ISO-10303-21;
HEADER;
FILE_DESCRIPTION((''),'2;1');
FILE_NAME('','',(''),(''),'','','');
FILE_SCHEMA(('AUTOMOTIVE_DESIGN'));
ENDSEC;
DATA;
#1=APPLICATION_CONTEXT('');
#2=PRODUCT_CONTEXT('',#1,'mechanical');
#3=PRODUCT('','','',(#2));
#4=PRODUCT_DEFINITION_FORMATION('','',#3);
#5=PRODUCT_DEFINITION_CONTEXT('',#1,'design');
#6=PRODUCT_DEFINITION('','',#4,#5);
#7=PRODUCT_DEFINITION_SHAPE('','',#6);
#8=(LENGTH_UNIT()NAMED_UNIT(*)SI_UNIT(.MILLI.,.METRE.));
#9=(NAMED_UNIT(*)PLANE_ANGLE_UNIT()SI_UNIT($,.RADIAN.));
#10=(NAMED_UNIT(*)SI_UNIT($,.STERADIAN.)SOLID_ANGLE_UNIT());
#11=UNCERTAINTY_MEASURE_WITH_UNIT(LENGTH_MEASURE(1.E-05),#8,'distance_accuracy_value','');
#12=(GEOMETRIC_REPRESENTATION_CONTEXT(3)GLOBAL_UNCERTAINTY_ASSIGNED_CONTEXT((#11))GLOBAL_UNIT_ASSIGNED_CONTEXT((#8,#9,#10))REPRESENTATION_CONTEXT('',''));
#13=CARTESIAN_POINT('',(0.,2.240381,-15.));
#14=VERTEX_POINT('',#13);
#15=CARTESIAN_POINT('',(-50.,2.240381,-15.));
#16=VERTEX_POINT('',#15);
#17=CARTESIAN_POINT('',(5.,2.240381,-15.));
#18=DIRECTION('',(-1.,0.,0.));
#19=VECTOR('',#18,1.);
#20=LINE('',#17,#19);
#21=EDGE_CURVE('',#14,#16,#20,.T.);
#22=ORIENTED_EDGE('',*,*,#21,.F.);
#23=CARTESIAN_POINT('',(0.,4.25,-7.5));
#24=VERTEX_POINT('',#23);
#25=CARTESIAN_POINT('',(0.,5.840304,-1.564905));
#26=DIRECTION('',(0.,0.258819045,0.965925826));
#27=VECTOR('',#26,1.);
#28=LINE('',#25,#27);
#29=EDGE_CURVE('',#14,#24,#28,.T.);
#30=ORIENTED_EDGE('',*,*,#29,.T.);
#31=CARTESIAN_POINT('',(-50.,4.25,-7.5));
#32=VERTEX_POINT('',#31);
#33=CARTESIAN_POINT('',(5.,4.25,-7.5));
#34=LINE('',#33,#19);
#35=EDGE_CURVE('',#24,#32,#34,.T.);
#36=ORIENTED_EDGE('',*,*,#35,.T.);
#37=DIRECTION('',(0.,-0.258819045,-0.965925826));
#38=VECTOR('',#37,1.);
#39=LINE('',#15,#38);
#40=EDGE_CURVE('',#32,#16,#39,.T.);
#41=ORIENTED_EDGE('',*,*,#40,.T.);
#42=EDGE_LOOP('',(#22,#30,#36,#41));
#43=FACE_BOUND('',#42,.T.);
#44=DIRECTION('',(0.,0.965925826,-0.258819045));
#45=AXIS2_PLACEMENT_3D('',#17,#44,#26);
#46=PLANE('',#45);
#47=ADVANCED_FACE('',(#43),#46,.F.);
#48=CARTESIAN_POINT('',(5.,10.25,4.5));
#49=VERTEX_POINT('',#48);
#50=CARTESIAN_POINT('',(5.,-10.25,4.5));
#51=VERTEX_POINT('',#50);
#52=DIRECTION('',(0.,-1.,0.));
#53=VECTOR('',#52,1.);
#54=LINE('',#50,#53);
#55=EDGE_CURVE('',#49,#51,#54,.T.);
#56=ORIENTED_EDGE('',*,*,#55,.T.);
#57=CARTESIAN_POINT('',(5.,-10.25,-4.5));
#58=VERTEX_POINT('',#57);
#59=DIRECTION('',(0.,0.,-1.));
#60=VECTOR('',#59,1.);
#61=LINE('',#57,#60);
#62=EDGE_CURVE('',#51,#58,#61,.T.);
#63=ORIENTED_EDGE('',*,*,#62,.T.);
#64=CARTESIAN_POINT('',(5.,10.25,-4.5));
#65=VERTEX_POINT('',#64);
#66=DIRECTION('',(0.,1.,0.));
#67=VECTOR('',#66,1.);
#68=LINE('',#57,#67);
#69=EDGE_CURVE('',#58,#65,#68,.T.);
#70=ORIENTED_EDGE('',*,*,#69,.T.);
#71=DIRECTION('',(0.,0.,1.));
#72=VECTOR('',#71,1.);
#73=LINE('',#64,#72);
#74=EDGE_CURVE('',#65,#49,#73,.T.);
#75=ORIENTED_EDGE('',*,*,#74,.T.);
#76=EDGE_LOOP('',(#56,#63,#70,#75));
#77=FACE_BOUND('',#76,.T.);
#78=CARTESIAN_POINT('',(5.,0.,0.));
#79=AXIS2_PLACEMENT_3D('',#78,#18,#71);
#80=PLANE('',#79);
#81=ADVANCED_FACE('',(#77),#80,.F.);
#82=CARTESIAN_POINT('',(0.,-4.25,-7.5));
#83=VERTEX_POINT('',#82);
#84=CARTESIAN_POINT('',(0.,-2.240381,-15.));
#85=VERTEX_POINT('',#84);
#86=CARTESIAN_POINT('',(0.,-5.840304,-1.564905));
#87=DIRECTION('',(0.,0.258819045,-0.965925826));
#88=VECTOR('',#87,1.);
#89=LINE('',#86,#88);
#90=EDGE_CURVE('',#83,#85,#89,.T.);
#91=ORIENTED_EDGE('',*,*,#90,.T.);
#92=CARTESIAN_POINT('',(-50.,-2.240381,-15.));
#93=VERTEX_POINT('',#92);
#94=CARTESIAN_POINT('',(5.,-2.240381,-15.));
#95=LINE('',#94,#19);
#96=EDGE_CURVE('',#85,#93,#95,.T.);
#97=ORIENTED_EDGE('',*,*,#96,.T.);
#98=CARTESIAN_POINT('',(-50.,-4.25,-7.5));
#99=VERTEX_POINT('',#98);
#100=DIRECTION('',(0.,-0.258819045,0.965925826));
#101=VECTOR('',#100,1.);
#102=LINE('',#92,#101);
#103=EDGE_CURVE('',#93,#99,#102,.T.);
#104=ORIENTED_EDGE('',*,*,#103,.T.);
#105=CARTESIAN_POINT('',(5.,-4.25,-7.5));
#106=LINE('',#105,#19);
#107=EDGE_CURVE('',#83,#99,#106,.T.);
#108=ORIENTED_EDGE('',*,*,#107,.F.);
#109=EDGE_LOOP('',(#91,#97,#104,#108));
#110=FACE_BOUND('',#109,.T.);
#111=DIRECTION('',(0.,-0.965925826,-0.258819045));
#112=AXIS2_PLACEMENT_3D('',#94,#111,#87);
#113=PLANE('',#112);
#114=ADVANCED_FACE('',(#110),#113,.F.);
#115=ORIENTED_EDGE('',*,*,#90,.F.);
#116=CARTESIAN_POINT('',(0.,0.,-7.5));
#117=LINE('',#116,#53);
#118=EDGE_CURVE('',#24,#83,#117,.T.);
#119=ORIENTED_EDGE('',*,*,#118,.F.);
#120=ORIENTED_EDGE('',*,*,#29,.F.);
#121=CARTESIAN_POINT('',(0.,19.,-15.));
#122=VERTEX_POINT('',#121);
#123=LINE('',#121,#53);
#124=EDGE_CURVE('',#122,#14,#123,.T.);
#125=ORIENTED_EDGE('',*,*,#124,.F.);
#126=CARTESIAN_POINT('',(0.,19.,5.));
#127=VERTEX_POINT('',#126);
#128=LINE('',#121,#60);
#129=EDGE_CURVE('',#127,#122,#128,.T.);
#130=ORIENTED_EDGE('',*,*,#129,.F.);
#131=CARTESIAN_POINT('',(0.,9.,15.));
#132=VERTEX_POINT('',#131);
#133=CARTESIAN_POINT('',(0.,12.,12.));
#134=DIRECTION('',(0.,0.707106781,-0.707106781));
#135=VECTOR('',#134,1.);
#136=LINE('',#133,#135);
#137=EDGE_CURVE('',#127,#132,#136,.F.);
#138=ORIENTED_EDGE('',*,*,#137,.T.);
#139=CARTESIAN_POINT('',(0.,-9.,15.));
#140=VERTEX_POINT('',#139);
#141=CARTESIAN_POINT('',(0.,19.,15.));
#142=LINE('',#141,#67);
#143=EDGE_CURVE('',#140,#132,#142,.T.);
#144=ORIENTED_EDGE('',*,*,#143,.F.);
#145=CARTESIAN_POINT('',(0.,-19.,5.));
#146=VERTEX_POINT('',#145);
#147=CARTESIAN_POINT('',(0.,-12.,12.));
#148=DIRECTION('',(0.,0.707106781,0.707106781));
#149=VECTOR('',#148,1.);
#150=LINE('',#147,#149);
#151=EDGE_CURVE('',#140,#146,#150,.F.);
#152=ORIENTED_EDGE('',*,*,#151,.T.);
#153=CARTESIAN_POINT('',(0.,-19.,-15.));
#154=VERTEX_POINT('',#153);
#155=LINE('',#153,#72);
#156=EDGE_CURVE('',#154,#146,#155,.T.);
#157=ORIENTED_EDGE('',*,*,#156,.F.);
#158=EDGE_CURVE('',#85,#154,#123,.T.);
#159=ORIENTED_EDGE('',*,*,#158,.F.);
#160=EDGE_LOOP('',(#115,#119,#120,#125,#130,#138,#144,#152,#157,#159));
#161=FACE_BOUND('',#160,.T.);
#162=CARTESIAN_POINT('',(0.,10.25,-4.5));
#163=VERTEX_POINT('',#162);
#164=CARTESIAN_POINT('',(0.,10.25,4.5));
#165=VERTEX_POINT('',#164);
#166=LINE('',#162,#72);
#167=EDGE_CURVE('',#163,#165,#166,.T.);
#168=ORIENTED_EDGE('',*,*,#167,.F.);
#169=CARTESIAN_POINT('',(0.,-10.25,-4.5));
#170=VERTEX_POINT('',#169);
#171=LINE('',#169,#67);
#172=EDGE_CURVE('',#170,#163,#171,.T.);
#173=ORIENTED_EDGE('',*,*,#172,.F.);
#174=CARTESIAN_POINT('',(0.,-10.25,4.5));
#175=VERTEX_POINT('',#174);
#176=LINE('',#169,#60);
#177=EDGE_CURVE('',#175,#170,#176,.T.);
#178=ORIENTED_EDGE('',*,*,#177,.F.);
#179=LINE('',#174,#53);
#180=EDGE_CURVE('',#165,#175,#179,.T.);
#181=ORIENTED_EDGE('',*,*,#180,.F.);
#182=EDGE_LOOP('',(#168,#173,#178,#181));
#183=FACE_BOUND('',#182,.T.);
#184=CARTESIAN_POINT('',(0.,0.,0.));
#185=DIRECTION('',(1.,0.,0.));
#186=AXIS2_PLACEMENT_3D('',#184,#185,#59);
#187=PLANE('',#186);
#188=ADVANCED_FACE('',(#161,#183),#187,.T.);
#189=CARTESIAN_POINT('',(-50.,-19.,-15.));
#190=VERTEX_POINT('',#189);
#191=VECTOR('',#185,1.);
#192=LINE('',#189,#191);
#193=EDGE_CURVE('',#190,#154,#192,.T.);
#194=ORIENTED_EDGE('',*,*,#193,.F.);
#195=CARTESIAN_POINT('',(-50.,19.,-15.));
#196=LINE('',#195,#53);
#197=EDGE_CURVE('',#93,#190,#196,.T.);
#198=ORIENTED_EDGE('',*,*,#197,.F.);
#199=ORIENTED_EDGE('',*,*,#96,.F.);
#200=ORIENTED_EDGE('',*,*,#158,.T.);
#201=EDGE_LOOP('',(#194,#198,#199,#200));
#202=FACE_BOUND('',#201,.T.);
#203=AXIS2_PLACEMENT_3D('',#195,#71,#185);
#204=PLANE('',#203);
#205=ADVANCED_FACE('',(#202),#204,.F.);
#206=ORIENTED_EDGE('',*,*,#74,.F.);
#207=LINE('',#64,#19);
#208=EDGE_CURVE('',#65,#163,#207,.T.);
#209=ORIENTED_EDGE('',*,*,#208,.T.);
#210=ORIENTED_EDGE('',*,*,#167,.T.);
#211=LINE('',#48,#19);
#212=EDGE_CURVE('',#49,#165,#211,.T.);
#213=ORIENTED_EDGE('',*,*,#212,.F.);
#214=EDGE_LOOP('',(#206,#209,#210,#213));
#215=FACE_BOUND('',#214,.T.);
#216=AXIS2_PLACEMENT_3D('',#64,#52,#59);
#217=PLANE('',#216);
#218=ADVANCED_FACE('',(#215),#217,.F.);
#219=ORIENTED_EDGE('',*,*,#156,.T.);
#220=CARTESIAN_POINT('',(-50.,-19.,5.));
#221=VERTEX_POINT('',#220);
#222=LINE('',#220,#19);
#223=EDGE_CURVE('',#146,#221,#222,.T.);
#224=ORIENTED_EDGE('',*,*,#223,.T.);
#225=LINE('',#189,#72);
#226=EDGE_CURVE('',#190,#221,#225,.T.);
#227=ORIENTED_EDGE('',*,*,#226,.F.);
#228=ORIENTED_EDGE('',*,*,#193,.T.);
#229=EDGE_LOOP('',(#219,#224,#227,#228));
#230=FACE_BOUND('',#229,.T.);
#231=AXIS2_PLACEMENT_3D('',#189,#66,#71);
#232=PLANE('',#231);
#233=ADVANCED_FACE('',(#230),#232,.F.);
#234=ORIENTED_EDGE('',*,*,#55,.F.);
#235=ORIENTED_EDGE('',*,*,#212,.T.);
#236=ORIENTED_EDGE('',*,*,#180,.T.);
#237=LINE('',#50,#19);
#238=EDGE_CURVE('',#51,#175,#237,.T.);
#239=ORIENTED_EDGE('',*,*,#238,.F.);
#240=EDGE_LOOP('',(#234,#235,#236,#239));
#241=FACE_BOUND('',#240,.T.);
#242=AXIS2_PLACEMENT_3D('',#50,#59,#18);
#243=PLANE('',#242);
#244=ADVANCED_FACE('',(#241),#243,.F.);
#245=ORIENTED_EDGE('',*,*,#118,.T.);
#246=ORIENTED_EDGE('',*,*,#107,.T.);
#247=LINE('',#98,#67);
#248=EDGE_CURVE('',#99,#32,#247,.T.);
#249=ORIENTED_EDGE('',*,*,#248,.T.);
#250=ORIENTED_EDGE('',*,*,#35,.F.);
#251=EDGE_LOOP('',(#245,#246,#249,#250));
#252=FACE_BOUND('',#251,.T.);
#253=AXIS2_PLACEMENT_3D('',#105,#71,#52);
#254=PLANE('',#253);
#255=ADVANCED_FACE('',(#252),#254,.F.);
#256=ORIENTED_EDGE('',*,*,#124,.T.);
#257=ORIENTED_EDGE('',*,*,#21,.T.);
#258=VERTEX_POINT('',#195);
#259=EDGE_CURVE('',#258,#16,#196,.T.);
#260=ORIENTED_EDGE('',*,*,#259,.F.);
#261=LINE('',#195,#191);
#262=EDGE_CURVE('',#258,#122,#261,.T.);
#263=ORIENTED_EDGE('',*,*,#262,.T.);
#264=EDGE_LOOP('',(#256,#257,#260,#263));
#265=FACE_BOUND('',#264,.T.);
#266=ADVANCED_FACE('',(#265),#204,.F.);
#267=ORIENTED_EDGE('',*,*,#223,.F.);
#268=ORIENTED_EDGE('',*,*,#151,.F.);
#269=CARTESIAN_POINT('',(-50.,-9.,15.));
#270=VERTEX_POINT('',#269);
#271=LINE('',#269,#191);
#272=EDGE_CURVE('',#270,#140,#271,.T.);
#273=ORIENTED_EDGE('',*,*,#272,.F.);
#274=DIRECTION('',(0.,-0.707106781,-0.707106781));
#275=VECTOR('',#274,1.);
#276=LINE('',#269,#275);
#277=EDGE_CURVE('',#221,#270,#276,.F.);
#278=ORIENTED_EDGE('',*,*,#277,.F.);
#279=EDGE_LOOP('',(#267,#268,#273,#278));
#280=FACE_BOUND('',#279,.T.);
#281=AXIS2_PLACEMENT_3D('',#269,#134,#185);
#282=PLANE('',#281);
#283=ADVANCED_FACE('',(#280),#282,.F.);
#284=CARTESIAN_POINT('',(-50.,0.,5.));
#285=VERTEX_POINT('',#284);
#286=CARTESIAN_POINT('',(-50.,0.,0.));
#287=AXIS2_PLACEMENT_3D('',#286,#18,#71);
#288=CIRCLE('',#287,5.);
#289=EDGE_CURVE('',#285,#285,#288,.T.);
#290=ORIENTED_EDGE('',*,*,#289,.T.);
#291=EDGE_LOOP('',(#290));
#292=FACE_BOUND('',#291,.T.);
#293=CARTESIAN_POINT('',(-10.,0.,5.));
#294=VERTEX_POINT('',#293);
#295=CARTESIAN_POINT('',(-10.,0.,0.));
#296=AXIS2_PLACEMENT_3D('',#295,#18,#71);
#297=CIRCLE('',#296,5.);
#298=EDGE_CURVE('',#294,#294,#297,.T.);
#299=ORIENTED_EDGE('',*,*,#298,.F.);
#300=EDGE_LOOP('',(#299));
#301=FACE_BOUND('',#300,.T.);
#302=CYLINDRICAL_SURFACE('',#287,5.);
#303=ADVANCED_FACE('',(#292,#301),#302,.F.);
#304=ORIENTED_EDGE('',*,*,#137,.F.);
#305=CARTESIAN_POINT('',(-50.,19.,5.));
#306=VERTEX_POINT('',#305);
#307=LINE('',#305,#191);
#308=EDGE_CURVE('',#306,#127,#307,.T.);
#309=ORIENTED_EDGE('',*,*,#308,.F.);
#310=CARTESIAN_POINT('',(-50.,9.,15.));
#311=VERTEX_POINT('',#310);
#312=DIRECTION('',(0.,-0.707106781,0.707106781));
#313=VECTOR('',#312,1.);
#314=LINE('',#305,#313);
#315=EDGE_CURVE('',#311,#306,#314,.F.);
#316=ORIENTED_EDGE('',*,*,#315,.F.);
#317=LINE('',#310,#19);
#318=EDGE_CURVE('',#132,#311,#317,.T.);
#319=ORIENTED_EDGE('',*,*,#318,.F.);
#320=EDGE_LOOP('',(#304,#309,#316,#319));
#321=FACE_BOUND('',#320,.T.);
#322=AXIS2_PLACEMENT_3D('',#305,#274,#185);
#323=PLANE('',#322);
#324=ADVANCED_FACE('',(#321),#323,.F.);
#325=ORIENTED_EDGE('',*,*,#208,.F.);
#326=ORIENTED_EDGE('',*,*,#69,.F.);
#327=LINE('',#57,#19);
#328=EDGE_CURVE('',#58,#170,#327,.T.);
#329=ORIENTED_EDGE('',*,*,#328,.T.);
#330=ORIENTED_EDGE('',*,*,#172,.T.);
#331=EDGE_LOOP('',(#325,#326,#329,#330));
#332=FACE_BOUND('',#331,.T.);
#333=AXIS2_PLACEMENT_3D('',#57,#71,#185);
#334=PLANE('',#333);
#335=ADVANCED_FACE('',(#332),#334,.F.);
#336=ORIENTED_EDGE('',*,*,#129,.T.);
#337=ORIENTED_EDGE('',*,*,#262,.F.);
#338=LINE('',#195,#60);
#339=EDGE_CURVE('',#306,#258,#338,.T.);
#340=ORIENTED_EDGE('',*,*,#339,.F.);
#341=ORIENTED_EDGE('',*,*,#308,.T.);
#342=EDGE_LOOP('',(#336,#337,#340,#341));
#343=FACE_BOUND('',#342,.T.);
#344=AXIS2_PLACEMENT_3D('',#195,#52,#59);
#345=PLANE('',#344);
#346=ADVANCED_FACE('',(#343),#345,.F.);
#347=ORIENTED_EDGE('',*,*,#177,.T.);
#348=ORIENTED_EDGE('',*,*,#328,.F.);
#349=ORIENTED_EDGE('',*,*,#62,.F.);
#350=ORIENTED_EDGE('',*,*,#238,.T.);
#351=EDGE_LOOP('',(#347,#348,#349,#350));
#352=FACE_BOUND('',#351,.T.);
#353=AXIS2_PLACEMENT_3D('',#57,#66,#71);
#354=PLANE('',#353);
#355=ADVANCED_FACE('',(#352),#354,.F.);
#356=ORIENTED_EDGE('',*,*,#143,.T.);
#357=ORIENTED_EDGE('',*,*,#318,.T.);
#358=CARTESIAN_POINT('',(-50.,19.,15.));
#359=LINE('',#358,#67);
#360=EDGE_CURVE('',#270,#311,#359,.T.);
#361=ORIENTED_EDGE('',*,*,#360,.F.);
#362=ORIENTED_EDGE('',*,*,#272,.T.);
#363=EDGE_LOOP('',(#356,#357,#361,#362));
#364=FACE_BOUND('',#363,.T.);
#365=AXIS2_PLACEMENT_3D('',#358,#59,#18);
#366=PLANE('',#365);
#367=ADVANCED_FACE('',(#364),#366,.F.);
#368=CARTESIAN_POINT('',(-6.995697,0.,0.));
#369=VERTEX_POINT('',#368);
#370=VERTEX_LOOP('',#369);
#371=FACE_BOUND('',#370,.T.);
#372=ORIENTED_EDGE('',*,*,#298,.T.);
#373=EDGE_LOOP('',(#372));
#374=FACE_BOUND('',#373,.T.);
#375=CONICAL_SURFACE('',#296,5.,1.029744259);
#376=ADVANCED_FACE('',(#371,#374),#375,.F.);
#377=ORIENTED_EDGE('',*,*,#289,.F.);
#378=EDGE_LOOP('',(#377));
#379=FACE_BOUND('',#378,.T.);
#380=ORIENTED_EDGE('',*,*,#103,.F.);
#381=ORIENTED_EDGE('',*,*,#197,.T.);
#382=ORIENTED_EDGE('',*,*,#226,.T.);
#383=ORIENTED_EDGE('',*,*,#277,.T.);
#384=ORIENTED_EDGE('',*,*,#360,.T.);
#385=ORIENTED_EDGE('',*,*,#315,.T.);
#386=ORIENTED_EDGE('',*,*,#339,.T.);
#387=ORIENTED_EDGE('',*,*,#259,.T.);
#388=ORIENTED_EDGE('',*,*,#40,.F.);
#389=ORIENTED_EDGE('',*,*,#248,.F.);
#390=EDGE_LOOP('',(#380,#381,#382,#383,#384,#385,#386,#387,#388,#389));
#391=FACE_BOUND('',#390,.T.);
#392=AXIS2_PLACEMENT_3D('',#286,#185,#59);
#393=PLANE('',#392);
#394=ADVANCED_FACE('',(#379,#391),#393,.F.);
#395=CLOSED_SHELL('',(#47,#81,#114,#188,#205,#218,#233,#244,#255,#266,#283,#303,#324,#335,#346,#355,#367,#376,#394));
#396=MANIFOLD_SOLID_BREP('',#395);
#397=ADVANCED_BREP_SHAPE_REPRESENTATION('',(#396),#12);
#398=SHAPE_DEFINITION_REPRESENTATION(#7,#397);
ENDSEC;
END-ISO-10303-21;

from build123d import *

# Parameters (mm, degrees)
SCHIZZO1_W                   = 20.5
SCHIZZO1_H                   = 9
ESTRUSIONE_ESTRUSIONE1_DEPTH = 5
SCHIZZO2_W                   = 38
SCHIZZO2_H                   = 30
ESTRUSIONE_ESTRUSIONE2_DEPTH = 50
TAGLIO_ESTRUSIONE1_DEPTH     = 61.09159675
M8_CLEARANCE_HOLE1_D         = 10
M8_CLEARANCE_HOLE1_DEPTH     = 40
M8_CLEARANCE_HOLE1_TIP       = 3.004303095
SMUSSO1_SIZE                 = 10


with BuildPart() as part:
    # Schizzo1 → Estrusione-Estrusione1 (new body)
    with BuildSketch(Plane.YZ):
        Rectangle(SCHIZZO1_W, SCHIZZO1_H)
    extrude(amount=ESTRUSIONE_ESTRUSIONE1_DEPTH)

    # Schizzo2 → Estrusione-Estrusione2 (add)
    with BuildSketch(Plane(origin=(0, 0, 0), x_dir=(0, -1, 0), z_dir=(-1, 0, 0))):
        Rectangle(SCHIZZO2_W, SCHIZZO2_H)
    extrude(amount=ESTRUSIONE_ESTRUSIONE2_DEPTH)

    # Schizzo3 → Taglio-Estrusione1 (cut, through all)
    with BuildSketch(Plane(origin=(-50, 0, 0), x_dir=(0, -1, 0), z_dir=(-1, 0, 0))):
        Polygon((2.240381057, -15), (4.25, -7.5), (-4.25, -7.5), (-2.240381057, -15), align=None)
    extrude(amount=-TAGLIO_ESTRUSIONE1_DEPTH, mode=Mode.SUBTRACT)

    # M8 Clearance Hole1
    with Locations(Plane.ZY.offset(50)):
        with Locations((0, 0)):
            Hole(M8_CLEARANCE_HOLE1_D / 2, depth=M8_CLEARANCE_HOLE1_DEPTH)
            with Locations((0, 0, -(M8_CLEARANCE_HOLE1_DEPTH + M8_CLEARANCE_HOLE1_TIP / 2))):  # 118° drill point
                Cone(0, M8_CLEARANCE_HOLE1_D / 2, M8_CLEARANCE_HOLE1_TIP, mode=Mode.SUBTRACT)

    # Smusso1
    smusso1_edges = [part.edges().sort_by_distance(p)[0] for p in [
        (-25, -19, 15),
        (-25, 19, 15),
    ]]
    chamfer(smusso1_edges, length=SMUSSO1_SIZE)


solid = part.part
